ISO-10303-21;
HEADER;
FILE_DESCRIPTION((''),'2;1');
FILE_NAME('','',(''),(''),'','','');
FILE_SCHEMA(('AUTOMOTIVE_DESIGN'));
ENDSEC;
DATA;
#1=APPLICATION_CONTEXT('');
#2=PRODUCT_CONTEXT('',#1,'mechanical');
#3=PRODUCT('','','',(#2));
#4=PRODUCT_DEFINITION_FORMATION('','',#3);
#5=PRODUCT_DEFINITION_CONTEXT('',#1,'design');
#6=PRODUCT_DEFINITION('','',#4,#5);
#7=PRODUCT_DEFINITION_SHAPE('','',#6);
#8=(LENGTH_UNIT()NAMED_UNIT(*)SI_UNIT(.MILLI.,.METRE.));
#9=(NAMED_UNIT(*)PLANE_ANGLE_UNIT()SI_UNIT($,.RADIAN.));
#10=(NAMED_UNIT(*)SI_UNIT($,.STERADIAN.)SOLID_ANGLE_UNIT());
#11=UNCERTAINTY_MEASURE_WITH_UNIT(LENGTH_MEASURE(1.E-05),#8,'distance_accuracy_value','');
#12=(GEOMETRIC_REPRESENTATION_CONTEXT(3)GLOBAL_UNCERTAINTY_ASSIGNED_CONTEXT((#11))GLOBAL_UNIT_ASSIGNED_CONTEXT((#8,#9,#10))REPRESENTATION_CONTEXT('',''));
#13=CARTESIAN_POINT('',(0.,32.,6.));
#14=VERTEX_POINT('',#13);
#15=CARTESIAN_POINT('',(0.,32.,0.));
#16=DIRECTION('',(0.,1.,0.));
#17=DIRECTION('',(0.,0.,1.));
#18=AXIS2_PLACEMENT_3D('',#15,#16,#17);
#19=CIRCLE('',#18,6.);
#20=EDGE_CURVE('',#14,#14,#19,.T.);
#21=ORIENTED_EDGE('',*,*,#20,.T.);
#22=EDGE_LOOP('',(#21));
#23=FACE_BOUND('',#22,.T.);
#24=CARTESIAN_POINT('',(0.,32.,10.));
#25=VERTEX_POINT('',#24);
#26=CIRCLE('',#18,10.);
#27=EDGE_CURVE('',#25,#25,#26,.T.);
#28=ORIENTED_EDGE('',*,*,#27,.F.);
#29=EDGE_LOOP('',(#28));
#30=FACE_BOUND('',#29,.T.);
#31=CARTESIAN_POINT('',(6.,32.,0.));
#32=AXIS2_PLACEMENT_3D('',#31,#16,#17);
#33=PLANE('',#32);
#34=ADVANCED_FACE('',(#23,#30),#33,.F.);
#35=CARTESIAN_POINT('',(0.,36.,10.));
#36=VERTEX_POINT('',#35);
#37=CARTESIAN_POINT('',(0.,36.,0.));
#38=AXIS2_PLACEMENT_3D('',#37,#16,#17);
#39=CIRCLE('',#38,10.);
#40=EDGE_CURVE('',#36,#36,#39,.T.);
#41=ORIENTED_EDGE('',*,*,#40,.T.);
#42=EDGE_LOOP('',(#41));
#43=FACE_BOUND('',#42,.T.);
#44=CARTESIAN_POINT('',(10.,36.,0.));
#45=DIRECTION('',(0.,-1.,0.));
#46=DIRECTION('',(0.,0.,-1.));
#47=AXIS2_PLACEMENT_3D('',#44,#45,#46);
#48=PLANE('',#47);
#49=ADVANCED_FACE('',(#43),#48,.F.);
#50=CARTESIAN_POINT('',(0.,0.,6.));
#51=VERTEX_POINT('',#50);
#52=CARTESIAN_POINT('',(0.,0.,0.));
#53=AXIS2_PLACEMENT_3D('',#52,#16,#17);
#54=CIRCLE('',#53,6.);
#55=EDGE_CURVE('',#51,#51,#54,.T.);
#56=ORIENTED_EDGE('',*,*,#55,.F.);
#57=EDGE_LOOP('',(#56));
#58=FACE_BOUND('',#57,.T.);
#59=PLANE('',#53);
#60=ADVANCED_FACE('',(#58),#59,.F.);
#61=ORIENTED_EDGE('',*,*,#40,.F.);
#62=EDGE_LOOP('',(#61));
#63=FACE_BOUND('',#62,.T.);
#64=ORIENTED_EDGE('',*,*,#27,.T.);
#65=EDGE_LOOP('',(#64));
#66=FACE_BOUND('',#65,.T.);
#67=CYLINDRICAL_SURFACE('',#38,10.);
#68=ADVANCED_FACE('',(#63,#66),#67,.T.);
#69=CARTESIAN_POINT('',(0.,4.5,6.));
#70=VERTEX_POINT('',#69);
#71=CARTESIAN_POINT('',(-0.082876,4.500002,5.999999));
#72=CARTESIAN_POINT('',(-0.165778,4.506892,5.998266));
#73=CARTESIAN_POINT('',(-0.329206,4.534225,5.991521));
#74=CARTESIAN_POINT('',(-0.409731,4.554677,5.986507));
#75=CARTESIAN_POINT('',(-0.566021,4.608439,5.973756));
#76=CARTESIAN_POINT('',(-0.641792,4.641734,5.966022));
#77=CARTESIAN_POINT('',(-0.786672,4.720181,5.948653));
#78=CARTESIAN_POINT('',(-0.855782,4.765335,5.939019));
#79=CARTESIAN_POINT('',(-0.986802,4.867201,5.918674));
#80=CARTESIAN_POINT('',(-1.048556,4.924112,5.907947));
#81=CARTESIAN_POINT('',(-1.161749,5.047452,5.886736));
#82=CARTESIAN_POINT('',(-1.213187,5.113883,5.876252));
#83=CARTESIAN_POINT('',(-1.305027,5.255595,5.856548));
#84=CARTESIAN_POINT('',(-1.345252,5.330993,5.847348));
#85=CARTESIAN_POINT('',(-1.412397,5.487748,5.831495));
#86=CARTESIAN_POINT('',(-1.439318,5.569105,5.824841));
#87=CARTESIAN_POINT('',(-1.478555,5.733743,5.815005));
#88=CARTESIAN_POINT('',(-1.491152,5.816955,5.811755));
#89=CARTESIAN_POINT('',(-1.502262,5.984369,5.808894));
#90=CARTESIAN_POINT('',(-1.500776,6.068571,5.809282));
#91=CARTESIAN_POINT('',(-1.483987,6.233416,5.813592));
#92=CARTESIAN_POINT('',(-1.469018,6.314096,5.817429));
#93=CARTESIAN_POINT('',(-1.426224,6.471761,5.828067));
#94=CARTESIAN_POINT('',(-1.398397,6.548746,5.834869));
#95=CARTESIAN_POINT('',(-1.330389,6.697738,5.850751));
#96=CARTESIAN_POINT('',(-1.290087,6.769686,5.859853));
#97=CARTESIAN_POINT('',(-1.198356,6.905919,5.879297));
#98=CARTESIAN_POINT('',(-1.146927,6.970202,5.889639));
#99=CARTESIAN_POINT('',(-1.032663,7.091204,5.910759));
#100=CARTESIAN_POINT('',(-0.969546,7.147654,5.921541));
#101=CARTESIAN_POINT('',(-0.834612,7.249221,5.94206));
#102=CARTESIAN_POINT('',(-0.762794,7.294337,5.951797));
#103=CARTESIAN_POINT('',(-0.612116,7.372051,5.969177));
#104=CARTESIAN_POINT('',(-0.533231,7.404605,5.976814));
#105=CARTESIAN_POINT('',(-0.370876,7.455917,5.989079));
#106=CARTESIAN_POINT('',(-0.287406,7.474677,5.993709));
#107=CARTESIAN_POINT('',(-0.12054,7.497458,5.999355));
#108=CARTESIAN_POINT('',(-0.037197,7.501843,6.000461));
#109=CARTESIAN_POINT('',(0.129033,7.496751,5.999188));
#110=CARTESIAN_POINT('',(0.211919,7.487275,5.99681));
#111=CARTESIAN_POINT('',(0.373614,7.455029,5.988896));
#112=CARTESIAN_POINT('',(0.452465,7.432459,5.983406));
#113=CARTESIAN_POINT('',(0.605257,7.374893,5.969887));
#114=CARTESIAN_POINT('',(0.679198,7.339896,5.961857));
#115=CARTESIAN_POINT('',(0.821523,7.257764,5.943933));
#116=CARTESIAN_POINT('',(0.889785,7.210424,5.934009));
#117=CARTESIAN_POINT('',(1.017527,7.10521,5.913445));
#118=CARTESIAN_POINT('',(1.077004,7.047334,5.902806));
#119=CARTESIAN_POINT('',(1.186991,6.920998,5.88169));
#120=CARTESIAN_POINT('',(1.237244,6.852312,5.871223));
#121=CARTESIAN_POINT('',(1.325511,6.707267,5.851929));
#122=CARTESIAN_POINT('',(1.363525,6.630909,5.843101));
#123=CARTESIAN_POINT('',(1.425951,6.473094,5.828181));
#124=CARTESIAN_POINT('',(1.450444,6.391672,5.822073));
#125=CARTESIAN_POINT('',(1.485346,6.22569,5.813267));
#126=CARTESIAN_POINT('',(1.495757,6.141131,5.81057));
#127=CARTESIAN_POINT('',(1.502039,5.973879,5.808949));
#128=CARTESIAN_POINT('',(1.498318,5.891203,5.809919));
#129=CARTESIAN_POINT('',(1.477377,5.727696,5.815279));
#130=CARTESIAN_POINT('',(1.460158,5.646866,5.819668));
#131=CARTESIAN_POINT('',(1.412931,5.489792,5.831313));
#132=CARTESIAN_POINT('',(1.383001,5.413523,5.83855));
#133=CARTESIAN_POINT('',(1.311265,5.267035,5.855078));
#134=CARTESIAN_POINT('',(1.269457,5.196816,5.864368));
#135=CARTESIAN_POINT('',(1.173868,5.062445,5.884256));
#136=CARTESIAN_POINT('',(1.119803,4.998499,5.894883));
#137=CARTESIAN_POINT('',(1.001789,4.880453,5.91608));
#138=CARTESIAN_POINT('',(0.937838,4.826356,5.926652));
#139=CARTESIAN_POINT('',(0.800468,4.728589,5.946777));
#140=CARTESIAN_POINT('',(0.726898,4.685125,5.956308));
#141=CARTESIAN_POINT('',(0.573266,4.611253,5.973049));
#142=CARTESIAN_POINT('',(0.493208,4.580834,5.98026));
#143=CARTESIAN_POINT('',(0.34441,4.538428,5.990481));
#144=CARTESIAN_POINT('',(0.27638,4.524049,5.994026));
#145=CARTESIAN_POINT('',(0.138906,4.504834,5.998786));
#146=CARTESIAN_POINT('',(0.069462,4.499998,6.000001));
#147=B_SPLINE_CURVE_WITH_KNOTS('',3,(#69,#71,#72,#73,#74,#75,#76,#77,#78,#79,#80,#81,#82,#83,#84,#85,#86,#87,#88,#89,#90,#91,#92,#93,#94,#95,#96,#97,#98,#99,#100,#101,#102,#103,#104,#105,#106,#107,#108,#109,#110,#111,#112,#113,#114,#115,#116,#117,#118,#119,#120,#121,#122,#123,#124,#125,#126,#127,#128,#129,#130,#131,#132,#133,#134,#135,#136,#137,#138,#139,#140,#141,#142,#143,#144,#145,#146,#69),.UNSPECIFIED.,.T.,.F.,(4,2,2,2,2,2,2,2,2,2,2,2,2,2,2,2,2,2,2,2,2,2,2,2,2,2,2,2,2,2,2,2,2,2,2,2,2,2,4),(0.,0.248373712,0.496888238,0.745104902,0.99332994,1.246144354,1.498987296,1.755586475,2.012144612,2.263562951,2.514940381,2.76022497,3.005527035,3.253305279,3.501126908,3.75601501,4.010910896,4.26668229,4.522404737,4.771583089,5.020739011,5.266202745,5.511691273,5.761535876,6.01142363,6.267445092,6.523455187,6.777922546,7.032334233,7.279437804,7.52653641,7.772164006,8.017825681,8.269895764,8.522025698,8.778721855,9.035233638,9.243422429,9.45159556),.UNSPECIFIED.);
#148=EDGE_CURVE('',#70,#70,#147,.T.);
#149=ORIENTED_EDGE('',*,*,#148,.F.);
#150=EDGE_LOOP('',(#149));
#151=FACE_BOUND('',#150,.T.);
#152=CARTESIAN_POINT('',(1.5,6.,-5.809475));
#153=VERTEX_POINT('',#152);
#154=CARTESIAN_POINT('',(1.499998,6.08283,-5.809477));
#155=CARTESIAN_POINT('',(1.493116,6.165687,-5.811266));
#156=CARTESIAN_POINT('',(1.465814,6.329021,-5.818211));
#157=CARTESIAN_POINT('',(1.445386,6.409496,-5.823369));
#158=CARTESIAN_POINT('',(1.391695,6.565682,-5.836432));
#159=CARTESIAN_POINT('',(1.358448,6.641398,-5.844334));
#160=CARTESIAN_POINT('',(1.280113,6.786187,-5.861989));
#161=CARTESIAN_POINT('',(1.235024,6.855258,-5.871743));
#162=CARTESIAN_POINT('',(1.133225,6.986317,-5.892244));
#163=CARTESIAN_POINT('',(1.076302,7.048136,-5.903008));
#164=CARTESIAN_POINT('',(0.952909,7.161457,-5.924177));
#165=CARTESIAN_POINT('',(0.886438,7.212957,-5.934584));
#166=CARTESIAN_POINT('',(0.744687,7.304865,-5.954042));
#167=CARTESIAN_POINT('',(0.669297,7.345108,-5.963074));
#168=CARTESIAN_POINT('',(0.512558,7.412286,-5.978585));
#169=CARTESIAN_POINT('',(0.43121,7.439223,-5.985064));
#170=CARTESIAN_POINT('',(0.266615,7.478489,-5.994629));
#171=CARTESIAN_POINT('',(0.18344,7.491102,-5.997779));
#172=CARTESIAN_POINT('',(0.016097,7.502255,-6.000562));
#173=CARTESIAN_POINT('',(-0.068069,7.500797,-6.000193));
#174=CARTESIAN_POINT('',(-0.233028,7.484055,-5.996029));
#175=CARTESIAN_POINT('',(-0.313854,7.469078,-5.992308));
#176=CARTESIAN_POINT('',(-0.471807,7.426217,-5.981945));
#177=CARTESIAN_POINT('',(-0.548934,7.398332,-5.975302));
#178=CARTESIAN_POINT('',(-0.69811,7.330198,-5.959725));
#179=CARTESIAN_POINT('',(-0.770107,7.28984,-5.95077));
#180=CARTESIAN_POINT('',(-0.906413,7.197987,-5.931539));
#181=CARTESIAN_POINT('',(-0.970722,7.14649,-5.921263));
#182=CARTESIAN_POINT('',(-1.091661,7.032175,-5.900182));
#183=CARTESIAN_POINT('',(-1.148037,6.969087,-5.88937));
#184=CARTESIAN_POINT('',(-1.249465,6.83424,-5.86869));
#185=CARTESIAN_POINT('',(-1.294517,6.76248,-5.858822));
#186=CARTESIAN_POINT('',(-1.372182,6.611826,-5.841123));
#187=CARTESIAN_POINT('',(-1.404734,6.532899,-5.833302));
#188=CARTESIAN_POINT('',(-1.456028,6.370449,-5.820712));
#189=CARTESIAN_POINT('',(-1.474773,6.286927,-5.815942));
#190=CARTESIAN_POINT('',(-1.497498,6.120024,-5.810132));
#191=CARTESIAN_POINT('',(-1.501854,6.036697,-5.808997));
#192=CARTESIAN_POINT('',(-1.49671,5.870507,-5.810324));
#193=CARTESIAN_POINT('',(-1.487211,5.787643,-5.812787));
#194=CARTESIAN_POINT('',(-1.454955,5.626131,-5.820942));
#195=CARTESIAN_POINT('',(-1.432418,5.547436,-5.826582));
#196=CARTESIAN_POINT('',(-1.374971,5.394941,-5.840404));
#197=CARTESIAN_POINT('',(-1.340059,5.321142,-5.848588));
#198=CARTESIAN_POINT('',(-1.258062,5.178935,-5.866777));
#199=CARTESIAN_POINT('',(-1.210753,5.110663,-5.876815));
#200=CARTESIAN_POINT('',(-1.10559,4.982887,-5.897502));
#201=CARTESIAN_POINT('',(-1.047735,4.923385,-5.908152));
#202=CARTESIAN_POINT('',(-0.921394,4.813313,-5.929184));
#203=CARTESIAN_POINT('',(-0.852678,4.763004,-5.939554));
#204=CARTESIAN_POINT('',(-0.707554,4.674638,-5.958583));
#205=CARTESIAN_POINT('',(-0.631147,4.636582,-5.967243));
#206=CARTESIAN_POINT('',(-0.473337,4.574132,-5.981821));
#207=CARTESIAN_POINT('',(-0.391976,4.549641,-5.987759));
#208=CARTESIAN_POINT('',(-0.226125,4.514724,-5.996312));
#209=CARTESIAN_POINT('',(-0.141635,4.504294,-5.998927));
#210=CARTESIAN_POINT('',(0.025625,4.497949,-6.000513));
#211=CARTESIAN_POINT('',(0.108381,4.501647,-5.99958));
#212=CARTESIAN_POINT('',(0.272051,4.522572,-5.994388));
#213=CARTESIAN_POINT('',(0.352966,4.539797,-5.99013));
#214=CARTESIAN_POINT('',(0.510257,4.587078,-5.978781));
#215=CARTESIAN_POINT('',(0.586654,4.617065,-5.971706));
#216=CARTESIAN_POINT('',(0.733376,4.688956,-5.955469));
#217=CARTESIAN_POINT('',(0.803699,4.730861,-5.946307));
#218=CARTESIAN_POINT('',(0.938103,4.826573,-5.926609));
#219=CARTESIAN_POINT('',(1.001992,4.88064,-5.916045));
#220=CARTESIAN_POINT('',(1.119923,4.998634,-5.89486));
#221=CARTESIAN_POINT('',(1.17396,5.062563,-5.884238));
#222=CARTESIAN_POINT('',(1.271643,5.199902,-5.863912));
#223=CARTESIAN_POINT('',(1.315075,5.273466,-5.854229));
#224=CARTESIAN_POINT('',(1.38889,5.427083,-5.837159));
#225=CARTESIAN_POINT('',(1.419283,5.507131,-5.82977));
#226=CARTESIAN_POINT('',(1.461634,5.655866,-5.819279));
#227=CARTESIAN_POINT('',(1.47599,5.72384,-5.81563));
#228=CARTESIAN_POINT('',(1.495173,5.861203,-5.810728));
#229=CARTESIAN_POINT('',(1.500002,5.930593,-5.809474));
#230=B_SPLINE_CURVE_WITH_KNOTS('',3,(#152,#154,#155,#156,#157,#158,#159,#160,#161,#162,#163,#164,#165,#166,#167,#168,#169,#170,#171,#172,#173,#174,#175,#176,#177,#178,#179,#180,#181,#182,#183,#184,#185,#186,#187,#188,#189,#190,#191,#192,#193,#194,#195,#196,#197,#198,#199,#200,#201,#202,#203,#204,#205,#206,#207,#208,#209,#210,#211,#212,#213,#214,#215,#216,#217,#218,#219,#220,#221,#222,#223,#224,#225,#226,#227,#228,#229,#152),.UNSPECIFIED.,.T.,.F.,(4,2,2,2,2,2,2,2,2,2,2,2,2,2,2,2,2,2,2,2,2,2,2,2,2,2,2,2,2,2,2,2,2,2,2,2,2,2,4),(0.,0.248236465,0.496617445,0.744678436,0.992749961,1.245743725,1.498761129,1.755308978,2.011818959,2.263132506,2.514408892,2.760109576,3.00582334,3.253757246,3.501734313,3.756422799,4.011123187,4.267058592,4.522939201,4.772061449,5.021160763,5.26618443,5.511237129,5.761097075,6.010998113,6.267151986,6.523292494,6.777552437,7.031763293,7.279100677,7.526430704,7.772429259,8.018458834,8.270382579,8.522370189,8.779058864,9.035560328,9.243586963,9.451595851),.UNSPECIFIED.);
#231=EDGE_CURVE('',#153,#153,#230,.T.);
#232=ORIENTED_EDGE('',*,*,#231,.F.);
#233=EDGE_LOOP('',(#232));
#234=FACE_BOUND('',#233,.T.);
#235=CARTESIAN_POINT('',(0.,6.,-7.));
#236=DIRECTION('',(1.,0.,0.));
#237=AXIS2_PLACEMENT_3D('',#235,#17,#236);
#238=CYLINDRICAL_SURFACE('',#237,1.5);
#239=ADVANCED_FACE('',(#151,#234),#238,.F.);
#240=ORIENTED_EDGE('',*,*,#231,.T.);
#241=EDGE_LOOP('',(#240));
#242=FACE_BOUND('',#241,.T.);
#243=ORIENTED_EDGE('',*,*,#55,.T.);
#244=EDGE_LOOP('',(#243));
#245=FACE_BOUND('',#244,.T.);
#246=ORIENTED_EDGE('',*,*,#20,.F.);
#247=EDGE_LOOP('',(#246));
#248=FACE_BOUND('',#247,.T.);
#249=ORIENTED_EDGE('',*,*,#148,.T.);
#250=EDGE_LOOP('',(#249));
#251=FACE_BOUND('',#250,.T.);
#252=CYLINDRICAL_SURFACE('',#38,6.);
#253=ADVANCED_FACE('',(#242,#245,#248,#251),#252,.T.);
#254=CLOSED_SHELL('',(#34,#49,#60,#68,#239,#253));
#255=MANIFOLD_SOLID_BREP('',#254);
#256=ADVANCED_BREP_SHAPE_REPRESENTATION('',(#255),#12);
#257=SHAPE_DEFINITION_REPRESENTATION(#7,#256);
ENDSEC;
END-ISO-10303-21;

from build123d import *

# Parameters (mm, degrees)
SKETCH2_R          = 1.5
CUT_EXTRUDE1_DEPTH = 7


with BuildPart() as part:
    # Sketch1 → Revolve1 (revolve)
    with BuildSketch(Plane.XY):
        Polygon((0, 0), (6, 0), (6, 32), (10, 32), (10, 36), (0, 36), align=None)
    revolve(axis=Axis((0, 36, 0), (0, -1, 0)))

    # Sketch2 → Cut-Extrude1 (cut, symmetric)
    with BuildSketch(Plane.XY):
        with Locations((0, 6)):
            Circle(SKETCH2_R)
    extrude(amount=CUT_EXTRUDE1_DEPTH, both=True, mode=Mode.SUBTRACT)


solid = part.part
